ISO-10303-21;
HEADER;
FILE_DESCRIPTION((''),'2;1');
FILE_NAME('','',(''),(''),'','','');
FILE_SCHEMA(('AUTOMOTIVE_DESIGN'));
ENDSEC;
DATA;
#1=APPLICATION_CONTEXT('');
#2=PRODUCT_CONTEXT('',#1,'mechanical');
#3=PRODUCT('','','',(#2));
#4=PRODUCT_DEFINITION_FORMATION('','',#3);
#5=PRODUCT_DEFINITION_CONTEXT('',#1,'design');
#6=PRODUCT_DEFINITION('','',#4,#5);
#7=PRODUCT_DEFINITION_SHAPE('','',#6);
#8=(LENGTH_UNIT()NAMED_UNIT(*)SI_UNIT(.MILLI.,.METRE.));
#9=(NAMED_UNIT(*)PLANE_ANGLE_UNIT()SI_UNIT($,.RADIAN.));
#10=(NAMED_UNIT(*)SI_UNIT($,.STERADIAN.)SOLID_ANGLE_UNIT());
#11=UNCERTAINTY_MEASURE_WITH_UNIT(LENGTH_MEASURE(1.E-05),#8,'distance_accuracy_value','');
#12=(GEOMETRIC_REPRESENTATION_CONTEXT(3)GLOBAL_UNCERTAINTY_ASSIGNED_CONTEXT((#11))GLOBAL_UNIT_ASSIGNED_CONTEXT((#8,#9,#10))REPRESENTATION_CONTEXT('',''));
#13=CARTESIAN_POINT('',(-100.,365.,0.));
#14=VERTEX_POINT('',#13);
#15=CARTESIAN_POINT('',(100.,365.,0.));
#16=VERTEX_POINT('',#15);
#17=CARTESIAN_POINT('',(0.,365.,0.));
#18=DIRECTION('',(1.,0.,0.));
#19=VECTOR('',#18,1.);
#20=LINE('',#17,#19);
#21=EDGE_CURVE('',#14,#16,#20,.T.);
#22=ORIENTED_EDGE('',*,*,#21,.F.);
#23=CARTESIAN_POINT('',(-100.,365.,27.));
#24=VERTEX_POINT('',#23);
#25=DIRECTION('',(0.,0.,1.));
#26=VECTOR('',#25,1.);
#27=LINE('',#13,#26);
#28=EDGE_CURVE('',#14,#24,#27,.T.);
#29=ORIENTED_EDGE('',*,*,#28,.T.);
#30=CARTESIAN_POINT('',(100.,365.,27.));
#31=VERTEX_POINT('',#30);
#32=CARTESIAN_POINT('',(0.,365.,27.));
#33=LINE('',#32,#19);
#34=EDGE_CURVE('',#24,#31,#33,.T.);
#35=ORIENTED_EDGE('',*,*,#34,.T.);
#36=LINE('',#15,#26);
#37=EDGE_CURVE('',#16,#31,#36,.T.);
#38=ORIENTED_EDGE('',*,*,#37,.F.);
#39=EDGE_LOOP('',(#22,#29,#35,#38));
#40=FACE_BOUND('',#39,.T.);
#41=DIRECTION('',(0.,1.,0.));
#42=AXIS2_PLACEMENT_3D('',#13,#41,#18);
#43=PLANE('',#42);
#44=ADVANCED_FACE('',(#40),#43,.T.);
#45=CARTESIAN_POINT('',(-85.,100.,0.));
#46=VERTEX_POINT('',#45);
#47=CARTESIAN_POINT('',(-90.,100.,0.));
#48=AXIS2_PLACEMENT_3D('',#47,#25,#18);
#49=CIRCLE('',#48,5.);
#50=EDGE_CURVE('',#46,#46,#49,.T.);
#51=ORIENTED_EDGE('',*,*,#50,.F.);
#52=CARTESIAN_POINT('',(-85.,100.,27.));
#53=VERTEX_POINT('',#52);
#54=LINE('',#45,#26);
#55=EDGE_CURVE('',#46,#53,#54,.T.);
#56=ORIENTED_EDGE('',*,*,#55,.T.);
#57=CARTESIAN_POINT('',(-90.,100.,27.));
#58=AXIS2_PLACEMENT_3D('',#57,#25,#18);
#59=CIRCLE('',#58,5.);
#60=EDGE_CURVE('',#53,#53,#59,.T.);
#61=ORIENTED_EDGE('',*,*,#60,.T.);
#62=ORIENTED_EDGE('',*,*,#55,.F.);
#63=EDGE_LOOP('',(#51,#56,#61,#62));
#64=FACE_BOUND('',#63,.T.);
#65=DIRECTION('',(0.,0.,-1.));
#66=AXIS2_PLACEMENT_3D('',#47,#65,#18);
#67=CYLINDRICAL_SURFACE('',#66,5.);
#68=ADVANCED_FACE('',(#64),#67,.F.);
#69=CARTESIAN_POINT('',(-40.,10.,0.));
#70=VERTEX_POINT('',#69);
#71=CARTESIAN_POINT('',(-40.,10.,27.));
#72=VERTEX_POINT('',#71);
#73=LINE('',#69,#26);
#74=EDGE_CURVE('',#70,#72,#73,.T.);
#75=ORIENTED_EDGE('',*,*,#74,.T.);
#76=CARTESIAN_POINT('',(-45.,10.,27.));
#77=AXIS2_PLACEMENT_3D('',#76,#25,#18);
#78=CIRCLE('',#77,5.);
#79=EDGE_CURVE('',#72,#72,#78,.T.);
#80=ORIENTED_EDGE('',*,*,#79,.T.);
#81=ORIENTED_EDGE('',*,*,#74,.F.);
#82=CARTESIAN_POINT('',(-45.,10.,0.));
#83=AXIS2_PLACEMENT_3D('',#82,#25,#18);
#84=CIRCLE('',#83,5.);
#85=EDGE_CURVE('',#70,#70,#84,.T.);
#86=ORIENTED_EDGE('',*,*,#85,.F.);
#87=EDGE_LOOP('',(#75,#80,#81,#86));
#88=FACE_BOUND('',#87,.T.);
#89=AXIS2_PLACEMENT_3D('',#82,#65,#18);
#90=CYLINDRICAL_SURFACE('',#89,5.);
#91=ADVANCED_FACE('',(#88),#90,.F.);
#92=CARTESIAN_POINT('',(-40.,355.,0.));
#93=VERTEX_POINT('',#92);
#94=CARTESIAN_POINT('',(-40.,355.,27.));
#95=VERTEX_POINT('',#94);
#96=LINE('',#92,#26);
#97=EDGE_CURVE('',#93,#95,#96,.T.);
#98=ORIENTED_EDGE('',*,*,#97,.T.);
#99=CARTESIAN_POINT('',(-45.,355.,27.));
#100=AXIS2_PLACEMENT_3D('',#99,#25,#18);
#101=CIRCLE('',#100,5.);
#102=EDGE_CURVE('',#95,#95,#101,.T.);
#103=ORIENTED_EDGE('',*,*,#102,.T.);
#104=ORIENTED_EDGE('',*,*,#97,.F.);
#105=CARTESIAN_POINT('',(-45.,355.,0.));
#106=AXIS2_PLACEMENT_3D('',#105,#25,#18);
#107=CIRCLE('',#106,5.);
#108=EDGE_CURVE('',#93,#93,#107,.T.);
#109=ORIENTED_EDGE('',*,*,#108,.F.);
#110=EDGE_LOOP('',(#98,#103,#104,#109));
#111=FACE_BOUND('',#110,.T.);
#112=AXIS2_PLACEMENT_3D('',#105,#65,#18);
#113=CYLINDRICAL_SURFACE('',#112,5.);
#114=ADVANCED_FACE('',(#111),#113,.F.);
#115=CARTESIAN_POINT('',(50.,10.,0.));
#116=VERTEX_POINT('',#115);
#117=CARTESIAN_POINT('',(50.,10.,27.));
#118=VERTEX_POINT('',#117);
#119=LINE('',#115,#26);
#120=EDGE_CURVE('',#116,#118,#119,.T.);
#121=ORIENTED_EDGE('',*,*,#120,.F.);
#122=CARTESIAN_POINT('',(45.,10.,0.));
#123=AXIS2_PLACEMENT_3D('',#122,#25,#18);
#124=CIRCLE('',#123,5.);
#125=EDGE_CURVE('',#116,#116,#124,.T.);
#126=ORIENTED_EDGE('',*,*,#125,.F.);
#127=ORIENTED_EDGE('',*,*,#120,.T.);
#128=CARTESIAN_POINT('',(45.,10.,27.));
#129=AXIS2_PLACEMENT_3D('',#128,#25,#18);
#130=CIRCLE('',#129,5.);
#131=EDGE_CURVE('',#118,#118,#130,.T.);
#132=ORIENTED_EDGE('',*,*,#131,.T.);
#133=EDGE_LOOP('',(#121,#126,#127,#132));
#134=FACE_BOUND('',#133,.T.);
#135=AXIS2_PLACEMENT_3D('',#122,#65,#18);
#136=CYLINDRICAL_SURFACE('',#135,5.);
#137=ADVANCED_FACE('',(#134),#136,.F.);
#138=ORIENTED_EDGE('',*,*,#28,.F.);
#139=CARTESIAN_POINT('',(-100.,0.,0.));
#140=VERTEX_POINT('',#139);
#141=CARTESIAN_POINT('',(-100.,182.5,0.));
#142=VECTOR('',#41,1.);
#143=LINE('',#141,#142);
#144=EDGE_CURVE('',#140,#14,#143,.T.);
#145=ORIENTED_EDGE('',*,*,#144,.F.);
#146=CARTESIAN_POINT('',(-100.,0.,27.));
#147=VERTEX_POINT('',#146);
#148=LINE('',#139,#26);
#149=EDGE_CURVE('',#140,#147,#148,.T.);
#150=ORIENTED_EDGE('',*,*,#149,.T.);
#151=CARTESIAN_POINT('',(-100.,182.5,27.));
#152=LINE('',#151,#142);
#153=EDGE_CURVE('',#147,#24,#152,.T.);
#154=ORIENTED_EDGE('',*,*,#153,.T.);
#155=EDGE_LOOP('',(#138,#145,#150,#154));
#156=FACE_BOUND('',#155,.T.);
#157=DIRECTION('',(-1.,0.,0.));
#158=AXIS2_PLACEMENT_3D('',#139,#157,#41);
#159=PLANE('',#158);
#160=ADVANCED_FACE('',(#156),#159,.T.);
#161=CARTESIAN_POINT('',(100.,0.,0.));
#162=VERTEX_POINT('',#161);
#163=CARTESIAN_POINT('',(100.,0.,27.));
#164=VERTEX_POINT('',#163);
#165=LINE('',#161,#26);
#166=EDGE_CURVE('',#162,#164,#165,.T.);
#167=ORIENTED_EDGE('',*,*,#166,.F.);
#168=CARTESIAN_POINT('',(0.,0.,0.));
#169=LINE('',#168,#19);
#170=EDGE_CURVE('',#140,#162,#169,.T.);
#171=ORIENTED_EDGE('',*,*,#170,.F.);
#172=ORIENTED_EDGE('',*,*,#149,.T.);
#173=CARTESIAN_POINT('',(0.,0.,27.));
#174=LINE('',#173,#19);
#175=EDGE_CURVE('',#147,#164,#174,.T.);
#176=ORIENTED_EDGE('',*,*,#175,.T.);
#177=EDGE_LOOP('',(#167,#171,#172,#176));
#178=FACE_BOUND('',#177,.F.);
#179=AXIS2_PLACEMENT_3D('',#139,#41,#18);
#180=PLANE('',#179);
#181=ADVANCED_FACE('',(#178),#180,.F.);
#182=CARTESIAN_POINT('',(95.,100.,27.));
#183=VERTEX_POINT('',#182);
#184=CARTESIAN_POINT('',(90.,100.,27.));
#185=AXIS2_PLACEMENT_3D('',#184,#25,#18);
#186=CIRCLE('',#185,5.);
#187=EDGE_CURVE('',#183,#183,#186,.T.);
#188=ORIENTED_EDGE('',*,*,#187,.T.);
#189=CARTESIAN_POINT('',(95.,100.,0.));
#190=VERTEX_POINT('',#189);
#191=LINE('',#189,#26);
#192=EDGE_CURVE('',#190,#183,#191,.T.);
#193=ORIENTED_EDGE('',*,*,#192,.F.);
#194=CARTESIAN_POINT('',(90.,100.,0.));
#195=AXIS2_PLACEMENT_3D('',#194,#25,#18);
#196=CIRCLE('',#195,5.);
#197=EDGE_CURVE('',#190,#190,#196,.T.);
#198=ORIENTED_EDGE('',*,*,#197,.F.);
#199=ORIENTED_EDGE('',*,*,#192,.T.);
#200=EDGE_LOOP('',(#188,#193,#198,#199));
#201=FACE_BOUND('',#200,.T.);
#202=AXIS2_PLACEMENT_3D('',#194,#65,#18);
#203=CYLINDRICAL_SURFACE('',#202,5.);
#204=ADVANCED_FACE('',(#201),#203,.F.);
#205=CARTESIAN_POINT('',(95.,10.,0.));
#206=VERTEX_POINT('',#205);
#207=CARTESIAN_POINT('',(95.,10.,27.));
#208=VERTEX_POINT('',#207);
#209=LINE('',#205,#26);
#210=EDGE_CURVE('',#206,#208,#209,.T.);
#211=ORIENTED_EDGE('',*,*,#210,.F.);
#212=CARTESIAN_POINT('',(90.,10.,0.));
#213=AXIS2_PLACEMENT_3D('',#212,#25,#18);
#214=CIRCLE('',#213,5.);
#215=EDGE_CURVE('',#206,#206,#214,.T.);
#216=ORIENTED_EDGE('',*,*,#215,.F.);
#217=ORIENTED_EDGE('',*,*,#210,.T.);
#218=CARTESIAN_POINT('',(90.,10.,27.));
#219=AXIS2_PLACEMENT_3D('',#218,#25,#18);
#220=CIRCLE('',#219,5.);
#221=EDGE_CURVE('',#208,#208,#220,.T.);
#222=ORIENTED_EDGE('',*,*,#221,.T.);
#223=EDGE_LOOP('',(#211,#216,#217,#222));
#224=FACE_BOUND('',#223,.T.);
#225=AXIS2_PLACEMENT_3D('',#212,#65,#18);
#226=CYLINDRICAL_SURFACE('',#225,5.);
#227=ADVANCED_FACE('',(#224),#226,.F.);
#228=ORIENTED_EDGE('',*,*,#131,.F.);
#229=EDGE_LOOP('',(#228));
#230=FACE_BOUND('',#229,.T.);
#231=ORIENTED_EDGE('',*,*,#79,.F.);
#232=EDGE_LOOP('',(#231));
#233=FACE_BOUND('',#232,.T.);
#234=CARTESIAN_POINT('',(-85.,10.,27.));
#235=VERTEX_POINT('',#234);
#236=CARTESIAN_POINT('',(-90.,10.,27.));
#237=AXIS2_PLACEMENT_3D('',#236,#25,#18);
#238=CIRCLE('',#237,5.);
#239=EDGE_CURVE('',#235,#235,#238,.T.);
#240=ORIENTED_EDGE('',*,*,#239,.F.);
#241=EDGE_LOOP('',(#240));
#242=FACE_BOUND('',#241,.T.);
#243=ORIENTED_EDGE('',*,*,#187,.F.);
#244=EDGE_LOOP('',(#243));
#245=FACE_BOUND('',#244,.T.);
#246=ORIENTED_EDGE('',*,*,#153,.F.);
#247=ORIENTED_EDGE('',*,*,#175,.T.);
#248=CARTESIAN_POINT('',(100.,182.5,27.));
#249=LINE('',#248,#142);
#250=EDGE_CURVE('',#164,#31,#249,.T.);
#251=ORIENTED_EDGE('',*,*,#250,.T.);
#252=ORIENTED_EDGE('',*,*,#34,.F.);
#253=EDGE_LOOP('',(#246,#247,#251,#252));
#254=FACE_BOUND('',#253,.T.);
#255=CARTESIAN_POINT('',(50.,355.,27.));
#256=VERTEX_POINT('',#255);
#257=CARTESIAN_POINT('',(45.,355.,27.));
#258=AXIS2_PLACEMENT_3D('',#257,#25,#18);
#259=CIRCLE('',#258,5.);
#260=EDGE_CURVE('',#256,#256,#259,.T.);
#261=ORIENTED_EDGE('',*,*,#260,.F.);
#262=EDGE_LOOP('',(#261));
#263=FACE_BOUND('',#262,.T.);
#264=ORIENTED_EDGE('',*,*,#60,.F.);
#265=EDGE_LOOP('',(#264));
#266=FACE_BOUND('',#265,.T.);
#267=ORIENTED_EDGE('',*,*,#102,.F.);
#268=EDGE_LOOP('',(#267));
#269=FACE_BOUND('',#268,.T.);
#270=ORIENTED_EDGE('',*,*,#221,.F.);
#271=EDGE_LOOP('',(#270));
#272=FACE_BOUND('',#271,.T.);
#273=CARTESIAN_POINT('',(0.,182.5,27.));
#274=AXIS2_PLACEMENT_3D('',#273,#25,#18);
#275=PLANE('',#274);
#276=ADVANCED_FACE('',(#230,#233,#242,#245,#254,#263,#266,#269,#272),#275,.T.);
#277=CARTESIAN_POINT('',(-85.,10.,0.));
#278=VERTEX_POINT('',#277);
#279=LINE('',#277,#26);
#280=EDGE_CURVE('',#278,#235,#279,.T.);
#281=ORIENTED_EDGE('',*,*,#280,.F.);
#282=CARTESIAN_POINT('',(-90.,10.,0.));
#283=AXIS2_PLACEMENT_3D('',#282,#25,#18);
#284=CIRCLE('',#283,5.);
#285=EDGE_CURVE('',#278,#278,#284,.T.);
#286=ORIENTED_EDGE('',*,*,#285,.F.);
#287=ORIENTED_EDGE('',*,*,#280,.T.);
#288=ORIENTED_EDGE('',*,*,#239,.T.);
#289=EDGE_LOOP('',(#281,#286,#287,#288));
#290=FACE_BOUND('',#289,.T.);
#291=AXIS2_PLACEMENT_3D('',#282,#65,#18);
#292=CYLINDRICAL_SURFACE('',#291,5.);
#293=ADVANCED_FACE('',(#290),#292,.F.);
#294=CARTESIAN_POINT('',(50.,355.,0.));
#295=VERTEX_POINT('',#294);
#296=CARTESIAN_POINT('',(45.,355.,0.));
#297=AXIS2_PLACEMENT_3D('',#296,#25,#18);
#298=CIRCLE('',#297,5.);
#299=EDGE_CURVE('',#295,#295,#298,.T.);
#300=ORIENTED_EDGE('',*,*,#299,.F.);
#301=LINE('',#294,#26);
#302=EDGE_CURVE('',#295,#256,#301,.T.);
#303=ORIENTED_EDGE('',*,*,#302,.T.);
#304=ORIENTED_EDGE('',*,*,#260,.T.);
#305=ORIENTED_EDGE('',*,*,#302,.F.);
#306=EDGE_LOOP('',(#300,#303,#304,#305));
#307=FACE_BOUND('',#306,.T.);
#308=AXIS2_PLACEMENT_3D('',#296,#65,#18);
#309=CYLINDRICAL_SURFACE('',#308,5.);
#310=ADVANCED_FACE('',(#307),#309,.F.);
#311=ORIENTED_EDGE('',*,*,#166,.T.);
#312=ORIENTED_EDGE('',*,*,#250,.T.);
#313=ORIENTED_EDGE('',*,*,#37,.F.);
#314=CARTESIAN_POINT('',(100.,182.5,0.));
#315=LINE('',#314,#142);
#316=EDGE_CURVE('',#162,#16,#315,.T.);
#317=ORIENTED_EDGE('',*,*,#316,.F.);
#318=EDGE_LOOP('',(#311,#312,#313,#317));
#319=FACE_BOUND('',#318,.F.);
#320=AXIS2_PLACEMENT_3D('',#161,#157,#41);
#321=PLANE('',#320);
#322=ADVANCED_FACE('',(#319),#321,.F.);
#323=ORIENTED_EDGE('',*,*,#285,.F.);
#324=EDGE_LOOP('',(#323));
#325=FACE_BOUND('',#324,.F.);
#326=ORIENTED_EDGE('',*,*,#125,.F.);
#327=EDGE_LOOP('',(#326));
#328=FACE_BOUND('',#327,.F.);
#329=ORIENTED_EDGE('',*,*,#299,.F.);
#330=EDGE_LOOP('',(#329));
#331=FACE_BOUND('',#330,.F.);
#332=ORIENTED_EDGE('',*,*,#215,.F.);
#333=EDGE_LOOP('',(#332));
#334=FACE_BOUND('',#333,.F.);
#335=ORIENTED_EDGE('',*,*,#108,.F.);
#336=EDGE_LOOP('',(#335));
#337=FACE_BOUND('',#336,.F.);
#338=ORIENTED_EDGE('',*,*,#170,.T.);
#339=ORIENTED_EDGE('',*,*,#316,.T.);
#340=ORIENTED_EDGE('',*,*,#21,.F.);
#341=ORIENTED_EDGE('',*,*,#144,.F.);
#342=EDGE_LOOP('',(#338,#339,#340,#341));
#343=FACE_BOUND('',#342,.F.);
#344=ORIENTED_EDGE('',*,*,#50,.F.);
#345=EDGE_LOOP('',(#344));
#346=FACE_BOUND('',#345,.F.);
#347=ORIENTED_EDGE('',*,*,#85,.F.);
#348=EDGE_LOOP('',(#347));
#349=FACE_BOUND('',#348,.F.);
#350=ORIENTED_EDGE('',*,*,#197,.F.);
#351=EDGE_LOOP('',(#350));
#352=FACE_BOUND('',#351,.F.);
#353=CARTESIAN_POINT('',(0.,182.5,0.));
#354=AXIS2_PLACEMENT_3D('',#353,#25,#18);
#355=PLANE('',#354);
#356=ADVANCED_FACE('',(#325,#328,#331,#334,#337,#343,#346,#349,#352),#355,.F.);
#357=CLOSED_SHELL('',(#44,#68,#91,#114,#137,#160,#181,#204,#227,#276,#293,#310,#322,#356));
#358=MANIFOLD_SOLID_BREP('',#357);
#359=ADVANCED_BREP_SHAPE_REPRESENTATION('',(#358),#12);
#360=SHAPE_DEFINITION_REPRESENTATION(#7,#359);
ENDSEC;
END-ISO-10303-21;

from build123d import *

# Parameters (mm, degrees)
F0_W     = 200
F0_H     = 365
F0_R     = 5
F1_DEPTH = 27


with BuildPart() as f1:
    # F0 (on Top) → F1 (new body)
    with BuildSketch(Plane.XY):
        with Locations((0, 182.5)):
            Rectangle(F0_W, F0_H)
        with Locations((-90, 10)):
            Circle(F0_R, mode=Mode.SUBTRACT)
        with Locations((-45, 10)):
            Circle(F0_R, mode=Mode.SUBTRACT)
        with Locations((-90, 100)):
            Circle(F0_R, mode=Mode.SUBTRACT)
        with Locations((45, 10)):
            Circle(F0_R, mode=Mode.SUBTRACT)
        with Locations((90, 10)):
            Circle(F0_R, mode=Mode.SUBTRACT)
        with Locations((90, 100)):
            Circle(F0_R, mode=Mode.SUBTRACT)
        with Locations((-45, 355)):
            Circle(F0_R, mode=Mode.SUBTRACT)
        with Locations((45, 355)):
            Circle(F0_R, mode=Mode.SUBTRACT)
    extrude(amount=F1_DEPTH)


solid = f1.part
